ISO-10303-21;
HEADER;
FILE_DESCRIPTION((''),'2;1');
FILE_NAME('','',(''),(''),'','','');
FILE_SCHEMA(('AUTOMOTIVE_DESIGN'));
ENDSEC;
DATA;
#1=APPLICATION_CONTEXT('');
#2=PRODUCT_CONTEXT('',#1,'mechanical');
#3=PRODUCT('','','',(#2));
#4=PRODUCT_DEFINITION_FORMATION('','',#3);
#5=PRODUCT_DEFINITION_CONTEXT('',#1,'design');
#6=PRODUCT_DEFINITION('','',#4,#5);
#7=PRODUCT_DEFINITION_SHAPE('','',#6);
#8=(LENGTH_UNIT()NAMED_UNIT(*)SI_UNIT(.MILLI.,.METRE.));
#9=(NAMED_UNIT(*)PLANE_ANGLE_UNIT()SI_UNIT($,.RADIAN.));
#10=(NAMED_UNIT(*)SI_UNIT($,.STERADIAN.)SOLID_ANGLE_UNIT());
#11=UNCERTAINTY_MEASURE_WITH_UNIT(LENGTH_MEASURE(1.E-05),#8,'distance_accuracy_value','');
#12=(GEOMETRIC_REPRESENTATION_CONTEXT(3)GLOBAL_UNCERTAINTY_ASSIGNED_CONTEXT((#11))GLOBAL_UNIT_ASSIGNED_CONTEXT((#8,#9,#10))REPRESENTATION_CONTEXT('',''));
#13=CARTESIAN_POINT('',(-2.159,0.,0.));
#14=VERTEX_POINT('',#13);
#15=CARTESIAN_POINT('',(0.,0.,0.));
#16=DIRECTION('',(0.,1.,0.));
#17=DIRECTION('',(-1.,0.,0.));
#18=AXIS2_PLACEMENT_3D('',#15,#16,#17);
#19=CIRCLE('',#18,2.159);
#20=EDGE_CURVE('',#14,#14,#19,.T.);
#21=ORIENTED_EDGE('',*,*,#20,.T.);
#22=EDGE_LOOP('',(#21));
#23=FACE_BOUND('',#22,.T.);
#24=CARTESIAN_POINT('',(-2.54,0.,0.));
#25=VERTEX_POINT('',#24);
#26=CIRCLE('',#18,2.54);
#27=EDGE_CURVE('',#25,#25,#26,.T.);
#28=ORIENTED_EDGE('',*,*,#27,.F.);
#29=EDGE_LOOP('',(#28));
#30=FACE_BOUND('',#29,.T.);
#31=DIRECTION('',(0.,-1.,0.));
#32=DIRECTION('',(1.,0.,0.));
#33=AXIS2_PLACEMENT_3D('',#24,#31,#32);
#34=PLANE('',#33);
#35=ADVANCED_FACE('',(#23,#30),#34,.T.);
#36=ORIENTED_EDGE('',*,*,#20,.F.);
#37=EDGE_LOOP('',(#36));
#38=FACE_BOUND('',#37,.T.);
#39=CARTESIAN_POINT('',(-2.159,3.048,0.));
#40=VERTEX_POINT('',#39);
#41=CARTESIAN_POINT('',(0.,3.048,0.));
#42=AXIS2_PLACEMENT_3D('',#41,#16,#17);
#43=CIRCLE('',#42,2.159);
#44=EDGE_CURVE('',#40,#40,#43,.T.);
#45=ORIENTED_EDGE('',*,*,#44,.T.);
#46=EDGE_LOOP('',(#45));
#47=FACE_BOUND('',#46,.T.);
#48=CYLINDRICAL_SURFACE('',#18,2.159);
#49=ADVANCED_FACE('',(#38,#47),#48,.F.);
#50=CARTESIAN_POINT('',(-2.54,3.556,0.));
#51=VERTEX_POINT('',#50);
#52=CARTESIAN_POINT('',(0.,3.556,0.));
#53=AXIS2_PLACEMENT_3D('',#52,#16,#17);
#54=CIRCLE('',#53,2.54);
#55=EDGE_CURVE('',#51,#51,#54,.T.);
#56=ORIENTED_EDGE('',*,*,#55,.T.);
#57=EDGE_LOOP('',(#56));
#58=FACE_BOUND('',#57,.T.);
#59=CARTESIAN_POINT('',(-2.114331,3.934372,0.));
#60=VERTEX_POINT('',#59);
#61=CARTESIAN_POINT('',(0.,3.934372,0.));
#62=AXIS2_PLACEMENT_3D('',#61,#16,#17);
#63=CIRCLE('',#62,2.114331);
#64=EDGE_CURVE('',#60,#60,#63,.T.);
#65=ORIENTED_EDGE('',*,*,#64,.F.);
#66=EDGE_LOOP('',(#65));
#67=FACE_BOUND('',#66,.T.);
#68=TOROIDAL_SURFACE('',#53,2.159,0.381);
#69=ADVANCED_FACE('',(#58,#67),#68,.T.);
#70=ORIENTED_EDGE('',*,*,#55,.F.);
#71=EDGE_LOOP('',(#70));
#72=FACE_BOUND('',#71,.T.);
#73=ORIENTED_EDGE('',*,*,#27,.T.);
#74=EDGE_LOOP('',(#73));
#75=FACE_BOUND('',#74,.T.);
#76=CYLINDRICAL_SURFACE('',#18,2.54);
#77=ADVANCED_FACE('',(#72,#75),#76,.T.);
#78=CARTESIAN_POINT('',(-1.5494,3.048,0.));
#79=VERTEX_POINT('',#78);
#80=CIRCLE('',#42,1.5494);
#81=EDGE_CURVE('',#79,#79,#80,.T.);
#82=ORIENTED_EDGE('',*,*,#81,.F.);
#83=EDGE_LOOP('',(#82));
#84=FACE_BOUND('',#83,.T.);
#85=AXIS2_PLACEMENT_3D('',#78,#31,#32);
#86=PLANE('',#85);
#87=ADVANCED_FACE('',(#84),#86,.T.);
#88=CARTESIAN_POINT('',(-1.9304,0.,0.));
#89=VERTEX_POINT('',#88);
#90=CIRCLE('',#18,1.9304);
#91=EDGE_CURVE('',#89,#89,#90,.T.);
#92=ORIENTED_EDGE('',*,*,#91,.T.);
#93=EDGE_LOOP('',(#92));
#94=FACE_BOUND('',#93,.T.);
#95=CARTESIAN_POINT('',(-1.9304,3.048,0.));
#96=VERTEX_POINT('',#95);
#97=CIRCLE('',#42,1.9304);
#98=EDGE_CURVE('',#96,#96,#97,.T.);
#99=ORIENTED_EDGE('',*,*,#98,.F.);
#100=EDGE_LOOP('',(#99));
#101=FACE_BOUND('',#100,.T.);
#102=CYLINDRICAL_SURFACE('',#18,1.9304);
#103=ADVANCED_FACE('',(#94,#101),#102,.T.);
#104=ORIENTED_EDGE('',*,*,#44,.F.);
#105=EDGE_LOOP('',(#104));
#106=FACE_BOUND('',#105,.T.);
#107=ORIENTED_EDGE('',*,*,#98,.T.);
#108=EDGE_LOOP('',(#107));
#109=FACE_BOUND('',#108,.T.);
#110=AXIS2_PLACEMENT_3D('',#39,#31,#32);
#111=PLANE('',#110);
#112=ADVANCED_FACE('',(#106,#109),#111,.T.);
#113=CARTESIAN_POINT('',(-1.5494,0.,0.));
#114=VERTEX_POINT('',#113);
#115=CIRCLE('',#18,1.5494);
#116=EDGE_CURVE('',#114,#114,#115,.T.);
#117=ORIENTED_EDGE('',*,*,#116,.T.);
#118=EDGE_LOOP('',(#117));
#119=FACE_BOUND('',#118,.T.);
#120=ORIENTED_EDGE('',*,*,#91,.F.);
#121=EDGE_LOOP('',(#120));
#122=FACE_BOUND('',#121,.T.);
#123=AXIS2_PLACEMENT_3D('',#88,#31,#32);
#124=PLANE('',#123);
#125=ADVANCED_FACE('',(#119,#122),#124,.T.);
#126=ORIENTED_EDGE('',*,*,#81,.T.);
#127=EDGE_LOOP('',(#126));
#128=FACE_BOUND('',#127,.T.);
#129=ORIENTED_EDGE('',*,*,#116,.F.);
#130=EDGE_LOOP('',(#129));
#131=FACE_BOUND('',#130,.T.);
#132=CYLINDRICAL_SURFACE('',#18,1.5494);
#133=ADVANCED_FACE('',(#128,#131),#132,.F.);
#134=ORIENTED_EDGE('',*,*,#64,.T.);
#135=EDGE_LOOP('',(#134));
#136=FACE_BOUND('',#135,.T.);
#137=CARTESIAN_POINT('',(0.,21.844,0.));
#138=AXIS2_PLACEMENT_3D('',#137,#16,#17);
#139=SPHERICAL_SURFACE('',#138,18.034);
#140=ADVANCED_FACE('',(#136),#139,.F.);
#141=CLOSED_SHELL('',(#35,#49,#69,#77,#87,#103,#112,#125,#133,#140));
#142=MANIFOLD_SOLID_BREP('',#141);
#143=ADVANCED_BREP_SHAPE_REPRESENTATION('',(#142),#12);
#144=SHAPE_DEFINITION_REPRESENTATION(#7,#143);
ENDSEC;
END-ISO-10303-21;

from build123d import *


with BuildPart() as part:
    # Sketch1 → Revolve1 (revolve)
    with BuildSketch(Plane.XY):
        with BuildLine():
            Line((-1.5494, 0), (-1.5494, 3.048))
            Line((-1.5494, 3.048), (0, 3.048))
            Line((0, 3.048), (0, 3.81))
            ThreePointArc((0, 3.81), (-1.058992944, 3.841119954), (-2.114331034, 3.934372414))
            ThreePointArc((-2.114331034, 3.934372414), (-2.412122623, 3.84076295), (-2.54, 3.556))
            Line((-2.54, 3.556), (-2.54, 0))
            Line((-2.54, 0), (-2.159, 0))
            Line((-2.159, 0), (-2.159, 3.048))
            Line((-2.159, 3.048), (-1.9304, 3.048))
            Line((-1.9304, 3.048), (-1.9304, 0))
            Line((-1.9304, 0), (-1.5494, 0))
        make_face()
    revolve(axis=Axis((0, 0, 0), (0, -1, 0)))


solid = part.part
